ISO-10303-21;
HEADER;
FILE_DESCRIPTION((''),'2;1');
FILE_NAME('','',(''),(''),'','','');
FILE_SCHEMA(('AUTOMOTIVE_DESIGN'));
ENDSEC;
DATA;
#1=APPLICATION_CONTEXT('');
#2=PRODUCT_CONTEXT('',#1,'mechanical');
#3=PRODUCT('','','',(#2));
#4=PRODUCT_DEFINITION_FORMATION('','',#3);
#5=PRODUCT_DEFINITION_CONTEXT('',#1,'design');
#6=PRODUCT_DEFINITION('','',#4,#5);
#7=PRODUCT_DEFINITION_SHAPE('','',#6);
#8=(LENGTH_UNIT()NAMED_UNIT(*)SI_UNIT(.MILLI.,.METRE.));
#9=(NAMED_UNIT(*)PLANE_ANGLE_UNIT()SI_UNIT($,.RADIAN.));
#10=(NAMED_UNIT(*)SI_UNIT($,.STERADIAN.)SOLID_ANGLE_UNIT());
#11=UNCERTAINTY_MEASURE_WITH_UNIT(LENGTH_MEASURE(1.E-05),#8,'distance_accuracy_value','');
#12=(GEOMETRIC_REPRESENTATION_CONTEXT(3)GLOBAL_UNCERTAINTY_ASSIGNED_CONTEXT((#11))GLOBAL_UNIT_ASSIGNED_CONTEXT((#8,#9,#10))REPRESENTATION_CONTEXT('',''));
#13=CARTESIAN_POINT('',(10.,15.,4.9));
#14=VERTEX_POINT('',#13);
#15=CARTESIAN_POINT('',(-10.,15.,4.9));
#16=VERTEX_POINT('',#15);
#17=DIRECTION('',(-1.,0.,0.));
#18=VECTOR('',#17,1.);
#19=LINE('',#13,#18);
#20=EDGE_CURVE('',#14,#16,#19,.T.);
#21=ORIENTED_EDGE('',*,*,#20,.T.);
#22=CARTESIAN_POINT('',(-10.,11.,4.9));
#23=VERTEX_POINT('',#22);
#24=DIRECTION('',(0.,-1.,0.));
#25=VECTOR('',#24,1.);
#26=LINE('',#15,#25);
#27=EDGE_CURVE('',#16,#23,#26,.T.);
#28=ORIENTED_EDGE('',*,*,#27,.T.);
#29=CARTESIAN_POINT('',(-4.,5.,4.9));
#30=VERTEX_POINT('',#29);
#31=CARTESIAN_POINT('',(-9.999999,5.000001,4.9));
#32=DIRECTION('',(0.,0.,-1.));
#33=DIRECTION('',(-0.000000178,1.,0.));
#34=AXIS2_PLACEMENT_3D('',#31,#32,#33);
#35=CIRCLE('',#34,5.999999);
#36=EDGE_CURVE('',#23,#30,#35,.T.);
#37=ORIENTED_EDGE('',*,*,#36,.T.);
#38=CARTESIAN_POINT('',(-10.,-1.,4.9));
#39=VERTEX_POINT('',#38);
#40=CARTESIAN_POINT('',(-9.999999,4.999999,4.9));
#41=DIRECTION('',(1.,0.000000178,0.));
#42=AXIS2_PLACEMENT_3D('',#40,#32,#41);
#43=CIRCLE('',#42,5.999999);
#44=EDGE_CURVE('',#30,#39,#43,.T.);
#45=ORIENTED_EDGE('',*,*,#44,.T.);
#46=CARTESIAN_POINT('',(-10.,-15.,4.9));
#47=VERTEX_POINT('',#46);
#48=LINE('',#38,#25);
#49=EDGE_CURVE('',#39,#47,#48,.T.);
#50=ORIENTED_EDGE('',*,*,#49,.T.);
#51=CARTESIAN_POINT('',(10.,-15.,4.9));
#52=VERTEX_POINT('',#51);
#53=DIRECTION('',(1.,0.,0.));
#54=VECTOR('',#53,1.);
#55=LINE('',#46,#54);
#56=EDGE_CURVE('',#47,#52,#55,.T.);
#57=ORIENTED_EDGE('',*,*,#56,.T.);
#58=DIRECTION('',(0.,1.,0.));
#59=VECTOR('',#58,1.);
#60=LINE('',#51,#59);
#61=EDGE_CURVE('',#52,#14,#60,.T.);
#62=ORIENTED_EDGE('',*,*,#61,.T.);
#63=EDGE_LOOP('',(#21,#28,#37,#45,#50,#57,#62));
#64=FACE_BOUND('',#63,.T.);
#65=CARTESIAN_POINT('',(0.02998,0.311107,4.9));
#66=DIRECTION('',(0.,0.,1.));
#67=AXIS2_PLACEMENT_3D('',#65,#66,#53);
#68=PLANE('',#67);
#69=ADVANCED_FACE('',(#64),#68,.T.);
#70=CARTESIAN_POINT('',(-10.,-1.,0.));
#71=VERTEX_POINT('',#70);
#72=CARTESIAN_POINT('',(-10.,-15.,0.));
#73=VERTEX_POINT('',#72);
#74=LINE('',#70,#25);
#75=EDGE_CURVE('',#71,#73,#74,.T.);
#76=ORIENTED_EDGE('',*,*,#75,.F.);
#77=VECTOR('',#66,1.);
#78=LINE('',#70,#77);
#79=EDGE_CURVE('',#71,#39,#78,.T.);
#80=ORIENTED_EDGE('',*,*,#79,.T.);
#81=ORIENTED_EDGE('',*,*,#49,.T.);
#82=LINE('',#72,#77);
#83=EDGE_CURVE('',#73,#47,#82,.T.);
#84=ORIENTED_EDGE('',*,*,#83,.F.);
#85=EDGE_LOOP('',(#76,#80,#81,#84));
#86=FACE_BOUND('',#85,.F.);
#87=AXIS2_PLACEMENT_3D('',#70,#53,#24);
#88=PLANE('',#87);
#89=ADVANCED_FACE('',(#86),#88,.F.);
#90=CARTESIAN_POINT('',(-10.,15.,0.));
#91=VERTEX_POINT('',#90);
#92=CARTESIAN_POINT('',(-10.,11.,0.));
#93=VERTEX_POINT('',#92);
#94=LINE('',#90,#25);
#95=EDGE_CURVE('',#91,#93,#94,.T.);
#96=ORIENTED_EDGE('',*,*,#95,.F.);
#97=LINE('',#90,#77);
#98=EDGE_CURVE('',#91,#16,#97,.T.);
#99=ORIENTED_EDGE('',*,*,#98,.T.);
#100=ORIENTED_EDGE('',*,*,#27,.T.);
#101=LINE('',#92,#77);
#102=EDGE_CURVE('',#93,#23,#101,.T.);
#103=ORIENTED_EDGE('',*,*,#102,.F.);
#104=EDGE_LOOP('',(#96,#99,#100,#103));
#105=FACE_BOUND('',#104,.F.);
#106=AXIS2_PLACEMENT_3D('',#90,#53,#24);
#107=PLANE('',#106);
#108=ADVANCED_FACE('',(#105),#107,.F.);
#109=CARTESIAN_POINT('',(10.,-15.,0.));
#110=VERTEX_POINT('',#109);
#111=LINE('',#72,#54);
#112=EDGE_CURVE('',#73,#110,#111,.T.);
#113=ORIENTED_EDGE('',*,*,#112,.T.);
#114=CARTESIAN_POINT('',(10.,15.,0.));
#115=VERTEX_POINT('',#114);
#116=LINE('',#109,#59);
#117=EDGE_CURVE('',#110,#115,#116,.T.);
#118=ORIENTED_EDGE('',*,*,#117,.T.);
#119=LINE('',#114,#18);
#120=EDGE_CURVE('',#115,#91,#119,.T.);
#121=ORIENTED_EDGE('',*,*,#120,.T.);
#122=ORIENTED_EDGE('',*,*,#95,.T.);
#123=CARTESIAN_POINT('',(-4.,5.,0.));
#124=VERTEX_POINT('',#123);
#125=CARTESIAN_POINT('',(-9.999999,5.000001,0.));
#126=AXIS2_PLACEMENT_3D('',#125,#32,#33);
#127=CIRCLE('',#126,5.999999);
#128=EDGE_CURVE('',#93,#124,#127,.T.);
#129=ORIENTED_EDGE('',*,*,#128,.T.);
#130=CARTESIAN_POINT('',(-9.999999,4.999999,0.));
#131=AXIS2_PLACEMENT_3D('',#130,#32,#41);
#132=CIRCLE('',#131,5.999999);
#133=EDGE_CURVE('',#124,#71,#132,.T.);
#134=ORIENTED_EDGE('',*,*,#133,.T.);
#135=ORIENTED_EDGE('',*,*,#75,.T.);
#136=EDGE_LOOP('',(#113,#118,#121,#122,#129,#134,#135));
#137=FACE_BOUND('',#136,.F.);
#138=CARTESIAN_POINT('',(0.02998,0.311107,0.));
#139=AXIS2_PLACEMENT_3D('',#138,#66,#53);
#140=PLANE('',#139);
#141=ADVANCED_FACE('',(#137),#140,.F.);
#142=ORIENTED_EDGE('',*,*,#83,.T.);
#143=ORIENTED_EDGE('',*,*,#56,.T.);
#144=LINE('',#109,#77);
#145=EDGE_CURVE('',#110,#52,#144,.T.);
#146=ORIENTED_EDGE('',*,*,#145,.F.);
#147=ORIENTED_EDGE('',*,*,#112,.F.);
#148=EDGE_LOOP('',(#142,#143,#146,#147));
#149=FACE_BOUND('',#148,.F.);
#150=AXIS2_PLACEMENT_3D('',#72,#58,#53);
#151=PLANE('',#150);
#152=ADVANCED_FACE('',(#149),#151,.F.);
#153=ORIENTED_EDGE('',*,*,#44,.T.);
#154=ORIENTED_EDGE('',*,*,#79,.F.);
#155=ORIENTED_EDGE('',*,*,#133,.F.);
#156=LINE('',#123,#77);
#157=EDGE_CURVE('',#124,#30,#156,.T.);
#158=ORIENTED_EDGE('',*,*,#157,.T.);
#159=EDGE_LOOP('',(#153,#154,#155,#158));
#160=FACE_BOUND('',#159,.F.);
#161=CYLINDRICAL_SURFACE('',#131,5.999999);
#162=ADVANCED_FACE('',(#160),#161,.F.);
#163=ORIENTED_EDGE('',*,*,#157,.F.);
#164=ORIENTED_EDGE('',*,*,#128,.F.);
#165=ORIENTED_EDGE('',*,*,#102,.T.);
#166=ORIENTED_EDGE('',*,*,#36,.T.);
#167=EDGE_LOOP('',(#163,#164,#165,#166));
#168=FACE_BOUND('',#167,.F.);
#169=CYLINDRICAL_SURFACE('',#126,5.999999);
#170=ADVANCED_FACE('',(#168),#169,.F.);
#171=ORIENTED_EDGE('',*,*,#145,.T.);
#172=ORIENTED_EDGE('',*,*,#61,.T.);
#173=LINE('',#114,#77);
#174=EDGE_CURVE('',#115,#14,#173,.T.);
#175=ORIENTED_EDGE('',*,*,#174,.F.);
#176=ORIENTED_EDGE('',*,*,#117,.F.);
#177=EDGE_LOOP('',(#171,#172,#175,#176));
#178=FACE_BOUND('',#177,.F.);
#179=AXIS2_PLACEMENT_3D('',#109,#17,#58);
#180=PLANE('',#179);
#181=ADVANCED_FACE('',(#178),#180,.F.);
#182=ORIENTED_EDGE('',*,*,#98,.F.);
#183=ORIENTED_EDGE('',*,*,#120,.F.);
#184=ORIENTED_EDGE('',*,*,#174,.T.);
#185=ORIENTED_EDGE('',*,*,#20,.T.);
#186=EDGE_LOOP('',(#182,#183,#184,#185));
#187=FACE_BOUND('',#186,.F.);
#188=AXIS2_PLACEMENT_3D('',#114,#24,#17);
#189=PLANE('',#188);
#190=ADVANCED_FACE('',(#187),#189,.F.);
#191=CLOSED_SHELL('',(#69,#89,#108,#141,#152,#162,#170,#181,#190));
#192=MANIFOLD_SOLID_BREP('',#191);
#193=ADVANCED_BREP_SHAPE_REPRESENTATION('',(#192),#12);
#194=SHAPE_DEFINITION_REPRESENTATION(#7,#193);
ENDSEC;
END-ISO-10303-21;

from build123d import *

# Parameters (mm, degrees)
F1_DEPTH = 4.9


with BuildPart() as f1:
    # F0 (on Top) → F1 (new body)
    with BuildSketch(Plane.XY):
        with BuildLine():
            Line((10, -15), (10, 15))
            Line((10, 15), (-10, 15))
            Line((-10, 15), (-10, 11))
            ThreePointArc((-10, 11), (-5.757359, 9.242641), (-4, 5))
            ThreePointArc((-4, 5), (-5.757359, 0.757359), (-10, -1))
            Line((-10, -1), (-10, -15))
            Line((-10, -15), (10, -15))
        make_face()
    extrude(amount=F1_DEPTH)


solid = f1.part
